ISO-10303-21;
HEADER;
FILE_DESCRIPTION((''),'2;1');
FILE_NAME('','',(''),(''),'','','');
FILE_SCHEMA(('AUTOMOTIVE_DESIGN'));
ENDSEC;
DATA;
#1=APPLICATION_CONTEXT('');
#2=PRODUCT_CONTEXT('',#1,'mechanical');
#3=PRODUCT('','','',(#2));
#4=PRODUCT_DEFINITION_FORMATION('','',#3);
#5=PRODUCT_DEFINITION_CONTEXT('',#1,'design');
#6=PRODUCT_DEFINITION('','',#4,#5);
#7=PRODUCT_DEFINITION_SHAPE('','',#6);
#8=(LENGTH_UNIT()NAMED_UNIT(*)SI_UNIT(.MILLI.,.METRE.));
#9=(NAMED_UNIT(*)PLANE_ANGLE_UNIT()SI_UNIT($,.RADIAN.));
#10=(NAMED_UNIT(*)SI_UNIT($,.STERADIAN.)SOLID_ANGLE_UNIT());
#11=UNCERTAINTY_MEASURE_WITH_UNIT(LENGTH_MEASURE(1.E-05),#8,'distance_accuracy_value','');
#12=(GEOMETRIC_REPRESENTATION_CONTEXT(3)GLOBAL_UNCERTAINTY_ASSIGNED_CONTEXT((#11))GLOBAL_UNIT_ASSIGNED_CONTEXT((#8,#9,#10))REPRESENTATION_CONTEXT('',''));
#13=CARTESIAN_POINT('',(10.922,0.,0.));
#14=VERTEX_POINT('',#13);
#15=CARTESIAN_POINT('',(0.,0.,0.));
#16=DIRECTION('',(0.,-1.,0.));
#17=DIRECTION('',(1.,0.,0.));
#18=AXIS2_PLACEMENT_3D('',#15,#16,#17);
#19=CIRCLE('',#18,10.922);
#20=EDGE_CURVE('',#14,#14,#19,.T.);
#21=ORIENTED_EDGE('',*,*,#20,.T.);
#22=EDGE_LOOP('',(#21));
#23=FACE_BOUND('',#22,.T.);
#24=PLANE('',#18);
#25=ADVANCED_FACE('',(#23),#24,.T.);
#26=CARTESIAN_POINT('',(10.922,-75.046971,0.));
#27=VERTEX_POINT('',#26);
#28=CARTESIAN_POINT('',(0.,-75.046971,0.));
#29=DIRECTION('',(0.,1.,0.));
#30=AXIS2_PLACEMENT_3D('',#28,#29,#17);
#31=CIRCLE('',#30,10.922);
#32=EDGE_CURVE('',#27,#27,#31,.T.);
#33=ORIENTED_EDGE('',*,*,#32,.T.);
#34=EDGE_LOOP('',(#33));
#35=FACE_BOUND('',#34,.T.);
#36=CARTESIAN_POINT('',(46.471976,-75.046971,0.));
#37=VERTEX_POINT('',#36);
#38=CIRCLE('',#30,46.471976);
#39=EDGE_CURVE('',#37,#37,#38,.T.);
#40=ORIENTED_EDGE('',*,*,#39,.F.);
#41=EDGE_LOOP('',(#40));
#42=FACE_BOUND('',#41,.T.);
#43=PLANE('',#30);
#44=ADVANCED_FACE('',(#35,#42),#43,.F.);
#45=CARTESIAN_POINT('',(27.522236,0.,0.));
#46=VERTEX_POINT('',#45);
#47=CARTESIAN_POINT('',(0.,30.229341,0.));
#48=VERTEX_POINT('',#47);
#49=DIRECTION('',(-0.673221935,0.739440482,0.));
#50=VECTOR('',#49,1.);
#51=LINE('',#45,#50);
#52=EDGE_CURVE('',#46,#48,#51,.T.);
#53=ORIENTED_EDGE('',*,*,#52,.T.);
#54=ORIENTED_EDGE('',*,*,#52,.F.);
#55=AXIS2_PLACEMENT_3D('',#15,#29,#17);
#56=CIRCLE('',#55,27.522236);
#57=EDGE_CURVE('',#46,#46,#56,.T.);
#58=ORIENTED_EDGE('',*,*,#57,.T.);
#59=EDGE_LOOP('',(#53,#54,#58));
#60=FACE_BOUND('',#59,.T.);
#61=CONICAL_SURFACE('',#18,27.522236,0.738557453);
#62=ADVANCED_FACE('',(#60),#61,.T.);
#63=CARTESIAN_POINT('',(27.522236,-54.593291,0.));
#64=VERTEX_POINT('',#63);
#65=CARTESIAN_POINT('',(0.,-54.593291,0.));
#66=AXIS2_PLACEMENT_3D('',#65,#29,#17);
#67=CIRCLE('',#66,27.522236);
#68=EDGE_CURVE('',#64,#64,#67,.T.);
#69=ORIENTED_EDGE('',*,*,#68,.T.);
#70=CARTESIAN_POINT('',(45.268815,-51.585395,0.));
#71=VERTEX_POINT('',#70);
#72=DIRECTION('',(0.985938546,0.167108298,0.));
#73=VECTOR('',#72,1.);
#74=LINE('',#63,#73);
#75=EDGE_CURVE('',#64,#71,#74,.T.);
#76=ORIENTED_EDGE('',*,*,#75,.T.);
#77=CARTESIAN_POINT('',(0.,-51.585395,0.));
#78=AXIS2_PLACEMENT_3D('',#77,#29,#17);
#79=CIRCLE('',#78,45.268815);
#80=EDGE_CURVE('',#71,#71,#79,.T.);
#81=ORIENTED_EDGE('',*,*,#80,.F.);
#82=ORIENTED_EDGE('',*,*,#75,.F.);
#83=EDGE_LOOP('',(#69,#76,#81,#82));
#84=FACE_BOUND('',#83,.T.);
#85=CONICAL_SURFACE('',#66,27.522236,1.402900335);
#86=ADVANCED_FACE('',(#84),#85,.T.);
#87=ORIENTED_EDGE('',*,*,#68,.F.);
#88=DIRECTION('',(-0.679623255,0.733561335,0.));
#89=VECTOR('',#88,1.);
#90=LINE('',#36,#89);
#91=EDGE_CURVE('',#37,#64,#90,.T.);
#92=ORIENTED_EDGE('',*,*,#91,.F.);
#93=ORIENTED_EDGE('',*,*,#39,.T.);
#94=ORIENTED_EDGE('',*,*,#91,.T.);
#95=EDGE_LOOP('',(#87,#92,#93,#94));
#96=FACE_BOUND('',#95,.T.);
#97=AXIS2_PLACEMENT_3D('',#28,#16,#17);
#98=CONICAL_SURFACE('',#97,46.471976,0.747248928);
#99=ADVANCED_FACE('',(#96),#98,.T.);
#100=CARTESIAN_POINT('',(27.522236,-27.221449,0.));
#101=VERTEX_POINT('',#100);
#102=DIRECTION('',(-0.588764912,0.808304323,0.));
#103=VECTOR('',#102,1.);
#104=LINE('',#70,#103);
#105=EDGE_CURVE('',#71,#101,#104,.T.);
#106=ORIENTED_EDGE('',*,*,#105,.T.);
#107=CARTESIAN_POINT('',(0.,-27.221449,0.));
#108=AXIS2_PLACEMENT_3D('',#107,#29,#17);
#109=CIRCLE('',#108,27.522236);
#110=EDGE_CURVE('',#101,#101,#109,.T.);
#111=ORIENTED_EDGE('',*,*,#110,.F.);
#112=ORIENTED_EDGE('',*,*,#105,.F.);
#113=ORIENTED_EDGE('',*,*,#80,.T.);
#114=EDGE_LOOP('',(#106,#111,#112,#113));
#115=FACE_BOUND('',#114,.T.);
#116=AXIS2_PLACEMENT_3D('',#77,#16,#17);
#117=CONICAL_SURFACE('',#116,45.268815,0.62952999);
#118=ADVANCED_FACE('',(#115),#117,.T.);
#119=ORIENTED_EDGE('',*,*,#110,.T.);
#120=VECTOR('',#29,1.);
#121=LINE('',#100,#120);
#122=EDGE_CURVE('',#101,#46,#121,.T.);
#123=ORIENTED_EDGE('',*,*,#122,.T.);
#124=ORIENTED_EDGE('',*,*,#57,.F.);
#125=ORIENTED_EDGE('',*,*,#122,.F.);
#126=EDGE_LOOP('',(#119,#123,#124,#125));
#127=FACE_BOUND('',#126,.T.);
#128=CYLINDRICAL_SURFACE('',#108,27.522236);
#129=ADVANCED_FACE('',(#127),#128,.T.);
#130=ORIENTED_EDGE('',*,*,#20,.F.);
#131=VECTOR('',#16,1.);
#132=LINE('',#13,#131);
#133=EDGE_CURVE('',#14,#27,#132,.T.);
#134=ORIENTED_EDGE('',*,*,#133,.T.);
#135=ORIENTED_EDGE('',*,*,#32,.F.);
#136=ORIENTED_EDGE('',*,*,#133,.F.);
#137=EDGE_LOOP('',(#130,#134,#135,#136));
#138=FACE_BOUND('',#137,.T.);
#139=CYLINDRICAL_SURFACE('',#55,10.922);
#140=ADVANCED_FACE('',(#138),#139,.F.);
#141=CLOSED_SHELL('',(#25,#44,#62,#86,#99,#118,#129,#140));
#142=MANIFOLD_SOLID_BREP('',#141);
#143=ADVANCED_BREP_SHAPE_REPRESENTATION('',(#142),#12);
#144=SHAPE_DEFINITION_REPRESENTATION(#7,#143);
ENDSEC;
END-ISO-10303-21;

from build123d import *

# Parameters (mm, degrees)
F2_R     = 10.922
F3_DEPTH = 429.26


with BuildPart() as f1:
    # F0 (on Top) → F1 (revolve)
    with BuildSketch(Plane.XY):
        Polygon((0, -75.046971), (46.471976, -75.046971), (27.522236, -54.593291), (45.268815, -51.585395), (27.522236, -27.221449), (27.522236, 0), (0, 30.229341), align=None)
    revolve(axis=Axis((0, -22.408815, 0), (0, 1, 0)))

    # F2 (on Front) → F3 (cut)
    with BuildSketch(Plane.XZ):
        Circle(F2_R)
    extrude(amount=F3_DEPTH, mode=Mode.SUBTRACT)


solid = f1.part
